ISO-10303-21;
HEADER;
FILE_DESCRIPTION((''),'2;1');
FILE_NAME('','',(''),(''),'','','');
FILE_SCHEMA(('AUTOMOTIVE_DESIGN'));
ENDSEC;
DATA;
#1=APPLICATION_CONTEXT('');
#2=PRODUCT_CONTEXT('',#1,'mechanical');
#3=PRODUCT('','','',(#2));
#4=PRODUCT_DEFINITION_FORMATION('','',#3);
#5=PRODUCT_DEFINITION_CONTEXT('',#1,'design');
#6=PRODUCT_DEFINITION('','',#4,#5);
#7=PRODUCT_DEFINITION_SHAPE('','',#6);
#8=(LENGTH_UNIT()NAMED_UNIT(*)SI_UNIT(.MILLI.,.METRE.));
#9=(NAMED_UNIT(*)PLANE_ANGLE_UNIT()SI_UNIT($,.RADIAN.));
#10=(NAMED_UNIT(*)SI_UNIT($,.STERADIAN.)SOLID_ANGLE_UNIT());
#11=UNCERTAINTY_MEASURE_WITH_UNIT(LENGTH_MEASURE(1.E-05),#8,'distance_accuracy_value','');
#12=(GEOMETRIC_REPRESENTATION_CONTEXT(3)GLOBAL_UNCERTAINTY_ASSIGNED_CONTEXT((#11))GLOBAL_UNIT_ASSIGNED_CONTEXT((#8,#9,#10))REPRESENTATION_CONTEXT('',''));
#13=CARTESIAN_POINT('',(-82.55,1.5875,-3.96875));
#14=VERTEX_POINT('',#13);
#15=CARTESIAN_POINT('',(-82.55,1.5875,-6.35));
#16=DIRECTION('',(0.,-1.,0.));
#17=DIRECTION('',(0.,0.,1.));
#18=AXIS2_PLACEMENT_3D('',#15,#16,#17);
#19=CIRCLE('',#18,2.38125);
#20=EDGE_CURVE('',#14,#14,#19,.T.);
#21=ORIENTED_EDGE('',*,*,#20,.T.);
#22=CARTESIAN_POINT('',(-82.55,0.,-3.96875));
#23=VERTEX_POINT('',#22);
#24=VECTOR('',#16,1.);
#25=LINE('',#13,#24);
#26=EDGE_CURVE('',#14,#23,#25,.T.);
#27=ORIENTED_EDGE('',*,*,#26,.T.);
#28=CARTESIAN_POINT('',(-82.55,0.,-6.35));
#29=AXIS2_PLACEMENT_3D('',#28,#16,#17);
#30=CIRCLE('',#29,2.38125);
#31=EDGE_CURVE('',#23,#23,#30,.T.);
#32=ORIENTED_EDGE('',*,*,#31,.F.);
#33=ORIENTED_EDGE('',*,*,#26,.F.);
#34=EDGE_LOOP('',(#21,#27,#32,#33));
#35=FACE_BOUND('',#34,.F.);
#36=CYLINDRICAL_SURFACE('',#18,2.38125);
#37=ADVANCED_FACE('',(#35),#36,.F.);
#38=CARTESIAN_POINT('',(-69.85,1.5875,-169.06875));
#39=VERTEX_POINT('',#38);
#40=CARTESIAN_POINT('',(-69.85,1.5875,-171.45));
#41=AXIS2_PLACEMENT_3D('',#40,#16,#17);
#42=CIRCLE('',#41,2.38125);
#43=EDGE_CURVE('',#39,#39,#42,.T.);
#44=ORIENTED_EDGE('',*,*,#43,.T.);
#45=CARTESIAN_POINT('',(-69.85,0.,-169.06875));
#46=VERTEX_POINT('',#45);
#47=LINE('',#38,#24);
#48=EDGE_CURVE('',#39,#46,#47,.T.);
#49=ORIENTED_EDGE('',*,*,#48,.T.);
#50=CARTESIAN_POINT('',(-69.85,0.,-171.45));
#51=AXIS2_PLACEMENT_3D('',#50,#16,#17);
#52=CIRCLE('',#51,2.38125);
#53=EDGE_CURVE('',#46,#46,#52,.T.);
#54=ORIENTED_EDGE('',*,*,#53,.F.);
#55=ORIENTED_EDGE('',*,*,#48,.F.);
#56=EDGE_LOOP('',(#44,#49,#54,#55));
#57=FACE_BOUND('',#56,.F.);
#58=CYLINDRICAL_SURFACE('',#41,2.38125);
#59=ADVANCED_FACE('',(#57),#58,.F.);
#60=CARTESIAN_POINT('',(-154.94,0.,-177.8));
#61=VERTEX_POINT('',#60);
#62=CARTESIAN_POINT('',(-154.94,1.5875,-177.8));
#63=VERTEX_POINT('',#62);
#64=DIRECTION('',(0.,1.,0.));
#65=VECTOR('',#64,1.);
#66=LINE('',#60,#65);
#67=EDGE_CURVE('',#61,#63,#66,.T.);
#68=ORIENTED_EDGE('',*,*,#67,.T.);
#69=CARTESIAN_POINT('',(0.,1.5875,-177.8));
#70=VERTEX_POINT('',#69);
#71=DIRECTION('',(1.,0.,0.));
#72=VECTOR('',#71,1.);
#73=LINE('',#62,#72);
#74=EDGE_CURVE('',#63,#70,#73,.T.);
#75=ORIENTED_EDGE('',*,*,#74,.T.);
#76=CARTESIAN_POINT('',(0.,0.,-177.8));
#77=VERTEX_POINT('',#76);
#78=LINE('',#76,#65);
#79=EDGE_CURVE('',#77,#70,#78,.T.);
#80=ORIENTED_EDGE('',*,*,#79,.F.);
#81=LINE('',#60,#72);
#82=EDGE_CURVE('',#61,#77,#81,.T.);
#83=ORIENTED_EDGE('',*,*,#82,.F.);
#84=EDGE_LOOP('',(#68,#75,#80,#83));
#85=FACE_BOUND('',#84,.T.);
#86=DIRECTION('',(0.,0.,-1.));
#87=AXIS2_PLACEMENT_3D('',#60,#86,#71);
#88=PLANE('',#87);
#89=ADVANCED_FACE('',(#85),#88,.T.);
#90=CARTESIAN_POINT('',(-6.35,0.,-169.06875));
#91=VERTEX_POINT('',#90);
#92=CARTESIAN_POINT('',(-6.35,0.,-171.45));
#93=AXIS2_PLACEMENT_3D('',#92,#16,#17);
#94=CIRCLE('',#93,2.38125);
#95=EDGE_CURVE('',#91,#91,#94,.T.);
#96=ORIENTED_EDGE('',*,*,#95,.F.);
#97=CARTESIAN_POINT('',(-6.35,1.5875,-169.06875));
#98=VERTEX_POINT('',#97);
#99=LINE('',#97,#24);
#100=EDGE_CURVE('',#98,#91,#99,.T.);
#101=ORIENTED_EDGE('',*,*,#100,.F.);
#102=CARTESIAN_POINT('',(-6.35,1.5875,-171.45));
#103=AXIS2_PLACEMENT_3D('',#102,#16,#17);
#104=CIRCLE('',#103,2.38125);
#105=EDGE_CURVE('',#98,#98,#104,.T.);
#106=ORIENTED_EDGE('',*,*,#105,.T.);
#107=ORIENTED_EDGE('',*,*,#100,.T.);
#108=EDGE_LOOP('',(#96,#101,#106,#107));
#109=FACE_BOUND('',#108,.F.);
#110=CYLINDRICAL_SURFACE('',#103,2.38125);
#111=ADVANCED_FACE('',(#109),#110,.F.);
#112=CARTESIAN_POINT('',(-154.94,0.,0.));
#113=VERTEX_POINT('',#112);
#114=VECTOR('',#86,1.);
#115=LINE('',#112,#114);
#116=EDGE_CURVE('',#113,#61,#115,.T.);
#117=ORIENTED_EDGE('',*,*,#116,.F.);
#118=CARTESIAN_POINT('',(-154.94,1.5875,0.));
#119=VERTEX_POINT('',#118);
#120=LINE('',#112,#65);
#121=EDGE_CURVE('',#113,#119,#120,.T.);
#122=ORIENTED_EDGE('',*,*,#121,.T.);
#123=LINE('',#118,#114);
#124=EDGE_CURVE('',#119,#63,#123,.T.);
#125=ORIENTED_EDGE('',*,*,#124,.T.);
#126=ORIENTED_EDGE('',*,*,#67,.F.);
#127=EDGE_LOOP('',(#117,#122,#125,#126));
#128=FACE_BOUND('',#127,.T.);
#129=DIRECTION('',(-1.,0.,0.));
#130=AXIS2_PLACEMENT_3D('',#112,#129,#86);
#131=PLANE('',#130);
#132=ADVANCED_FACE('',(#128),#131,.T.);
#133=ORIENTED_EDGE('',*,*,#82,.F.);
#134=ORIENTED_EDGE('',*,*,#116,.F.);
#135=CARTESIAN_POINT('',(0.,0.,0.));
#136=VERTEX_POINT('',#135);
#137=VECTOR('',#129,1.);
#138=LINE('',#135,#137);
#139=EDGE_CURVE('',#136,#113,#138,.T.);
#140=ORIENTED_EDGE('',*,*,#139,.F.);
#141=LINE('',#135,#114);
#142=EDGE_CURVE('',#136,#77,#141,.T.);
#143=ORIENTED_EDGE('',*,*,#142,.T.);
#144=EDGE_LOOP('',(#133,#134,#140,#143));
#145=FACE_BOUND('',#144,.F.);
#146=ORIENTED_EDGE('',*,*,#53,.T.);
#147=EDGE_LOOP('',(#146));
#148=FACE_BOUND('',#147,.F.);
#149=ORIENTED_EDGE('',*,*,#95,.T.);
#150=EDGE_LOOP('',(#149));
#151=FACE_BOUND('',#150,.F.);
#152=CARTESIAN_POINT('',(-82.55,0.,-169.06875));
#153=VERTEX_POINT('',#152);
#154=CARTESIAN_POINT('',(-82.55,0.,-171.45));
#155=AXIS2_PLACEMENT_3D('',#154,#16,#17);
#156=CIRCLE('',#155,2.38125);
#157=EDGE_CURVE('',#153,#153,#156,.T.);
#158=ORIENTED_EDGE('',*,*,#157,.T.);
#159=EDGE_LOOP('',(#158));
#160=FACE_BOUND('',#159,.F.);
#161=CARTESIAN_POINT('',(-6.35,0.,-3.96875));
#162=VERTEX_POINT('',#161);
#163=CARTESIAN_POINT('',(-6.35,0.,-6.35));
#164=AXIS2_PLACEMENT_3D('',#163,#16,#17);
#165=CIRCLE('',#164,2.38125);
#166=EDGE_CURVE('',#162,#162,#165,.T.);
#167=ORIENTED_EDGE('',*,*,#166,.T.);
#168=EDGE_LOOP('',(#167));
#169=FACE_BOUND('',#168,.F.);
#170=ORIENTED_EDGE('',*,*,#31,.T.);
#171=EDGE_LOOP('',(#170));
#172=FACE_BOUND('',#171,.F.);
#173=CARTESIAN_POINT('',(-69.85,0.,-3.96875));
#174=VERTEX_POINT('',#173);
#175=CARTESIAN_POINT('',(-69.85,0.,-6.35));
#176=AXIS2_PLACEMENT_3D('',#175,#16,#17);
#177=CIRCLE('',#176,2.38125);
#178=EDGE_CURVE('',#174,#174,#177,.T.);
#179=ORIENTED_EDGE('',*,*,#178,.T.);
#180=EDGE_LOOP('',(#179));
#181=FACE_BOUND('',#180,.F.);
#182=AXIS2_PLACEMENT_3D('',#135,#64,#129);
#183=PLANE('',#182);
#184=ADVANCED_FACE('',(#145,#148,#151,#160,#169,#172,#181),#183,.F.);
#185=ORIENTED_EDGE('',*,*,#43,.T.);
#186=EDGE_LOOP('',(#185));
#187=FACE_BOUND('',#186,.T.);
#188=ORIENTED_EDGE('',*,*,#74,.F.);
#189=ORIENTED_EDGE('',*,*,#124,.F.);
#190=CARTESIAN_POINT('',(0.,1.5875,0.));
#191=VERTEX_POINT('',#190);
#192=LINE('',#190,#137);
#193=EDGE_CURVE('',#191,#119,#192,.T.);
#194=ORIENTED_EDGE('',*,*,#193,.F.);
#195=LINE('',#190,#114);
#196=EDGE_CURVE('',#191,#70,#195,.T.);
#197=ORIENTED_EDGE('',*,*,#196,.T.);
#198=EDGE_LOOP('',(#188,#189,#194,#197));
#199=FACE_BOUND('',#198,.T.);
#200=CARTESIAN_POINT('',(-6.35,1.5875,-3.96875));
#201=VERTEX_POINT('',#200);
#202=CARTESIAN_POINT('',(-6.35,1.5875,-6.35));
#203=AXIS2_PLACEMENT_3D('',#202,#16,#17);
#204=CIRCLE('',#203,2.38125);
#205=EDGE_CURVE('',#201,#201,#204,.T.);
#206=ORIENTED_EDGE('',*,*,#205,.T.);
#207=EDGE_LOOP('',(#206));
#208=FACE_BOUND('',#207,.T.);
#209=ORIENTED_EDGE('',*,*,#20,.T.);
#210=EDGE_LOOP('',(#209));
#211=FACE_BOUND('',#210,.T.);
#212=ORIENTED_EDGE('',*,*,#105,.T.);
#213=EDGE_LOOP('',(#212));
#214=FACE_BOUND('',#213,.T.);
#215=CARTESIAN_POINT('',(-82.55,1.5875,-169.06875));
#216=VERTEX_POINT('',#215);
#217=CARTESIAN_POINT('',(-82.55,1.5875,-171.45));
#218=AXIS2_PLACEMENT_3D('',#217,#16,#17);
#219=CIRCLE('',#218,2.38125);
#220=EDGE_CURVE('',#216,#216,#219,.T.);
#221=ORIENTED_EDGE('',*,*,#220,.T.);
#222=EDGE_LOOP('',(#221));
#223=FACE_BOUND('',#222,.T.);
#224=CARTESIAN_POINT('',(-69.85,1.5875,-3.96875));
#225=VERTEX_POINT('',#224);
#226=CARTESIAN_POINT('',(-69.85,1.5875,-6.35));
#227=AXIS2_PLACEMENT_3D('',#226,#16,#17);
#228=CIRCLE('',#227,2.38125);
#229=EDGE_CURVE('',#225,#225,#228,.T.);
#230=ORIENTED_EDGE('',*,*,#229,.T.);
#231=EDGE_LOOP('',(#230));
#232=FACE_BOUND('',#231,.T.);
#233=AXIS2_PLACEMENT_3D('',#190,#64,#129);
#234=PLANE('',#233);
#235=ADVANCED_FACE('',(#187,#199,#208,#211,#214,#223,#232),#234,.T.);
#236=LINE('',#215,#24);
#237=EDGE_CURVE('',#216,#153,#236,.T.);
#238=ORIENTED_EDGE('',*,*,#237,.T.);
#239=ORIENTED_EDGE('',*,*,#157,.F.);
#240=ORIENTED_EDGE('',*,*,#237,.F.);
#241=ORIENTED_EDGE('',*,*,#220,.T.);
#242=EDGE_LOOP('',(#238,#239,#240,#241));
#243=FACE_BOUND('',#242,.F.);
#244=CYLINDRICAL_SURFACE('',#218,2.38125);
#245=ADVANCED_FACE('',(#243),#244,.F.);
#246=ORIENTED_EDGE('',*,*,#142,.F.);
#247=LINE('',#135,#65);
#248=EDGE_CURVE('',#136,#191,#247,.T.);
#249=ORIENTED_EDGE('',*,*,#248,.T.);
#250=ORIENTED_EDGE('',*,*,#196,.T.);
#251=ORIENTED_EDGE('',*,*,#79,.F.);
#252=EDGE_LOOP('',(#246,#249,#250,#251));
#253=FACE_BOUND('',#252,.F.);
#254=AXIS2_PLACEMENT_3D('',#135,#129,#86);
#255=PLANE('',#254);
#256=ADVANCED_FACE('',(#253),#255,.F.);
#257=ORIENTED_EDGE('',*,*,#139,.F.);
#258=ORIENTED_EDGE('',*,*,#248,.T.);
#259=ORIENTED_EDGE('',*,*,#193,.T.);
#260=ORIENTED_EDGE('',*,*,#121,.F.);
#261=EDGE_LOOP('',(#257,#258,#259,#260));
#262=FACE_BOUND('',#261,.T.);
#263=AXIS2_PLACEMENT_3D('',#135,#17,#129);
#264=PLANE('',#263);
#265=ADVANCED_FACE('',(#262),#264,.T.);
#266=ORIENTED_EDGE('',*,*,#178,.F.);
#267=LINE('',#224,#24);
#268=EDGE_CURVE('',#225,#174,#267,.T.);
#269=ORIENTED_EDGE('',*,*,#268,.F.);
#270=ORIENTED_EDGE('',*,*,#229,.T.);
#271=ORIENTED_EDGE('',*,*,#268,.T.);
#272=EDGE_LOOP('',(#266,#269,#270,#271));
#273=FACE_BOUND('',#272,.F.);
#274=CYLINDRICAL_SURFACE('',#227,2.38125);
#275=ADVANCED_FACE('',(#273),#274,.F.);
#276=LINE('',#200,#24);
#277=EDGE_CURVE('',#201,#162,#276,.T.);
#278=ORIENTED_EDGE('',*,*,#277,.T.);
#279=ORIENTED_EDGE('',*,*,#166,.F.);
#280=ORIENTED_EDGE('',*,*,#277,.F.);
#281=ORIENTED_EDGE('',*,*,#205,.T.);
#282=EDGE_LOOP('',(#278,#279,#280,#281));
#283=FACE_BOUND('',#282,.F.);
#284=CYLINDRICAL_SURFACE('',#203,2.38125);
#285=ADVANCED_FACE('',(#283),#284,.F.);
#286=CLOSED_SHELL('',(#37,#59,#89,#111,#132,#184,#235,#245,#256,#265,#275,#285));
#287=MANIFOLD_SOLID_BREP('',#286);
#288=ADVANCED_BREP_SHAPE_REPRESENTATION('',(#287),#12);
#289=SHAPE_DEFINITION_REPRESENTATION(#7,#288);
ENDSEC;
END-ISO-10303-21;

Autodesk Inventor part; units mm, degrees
ref_plane "YZ Plane" through (0, 0, 0) normal (1, 0, 0) x (0, 1, 0)
ref_plane "XZ Plane" through (0, 0, 0) normal (0, 1, 0) x (-1, 0, 0)
ref_plane "XY Plane" through (0, 0, 0) normal (0, 0, 1) x (1, 0, 0)
sketch "Sketch1" plane through (0, 0, 0) normal (0, 1, 0) x (-1, 0, 0)
  line L0 (0, 0) -> (0, -177.8)
  line L1 (0, 0) -> (154.94, 0)
  line L2 (154.94, 0) -> (154.94, -177.8)
  line L3 (154.94, -177.8) -> (0, -177.8)
  dimension "d0" = 177.8
  dimension "d1" = 154.94
  dimension "d2" = 177.8
extrude "Extrusion1" add sketch "Sketch1" along normal blind 1.5875
sketch "Sketch2" plane through (0, 1.5875, 0) normal (0, 1, 0) x (1, 0, 0)
  line L0 (-154.94, 0) -> (0, 0) projected
  line L1 (-154.94, 0) -> (-145.9597, 0) construction
  line L2 (0, 177.8) -> (-154.94, 177.8) projected
  line L3 (-154.94, 177.8) -> (-145.9597, 177.8) construction
  line L4 (0, 0) -> (0, 177.8) projected
  line L5 (0, 177.8) -> (-12.7, 177.8)
  line L6 (-12.7, 177.8) -> (0, 165.1)
  line L7 (0, 177.8) -> (-6.35, 171.45)
  line L8 (0, 177.8) -> (8.9803, 177.8) construction
  line L9 (0, 0) -> (-12.7, 0)
  line L10 (-12.7, 0) -> (0, 12.7)
  line L11 (0, 0) -> (-6.35, 6.35)
  line L12 (-6.35, 171.45) -> (-69.85, 171.45)
  line L13 (-69.85, 171.45) -> (-82.55, 171.45)
  line L14 (-6.35, 6.35) -> (-69.85, 6.35)
  line L15 (-6.35, 6.35) -> (57.15, 6.35) construction
  line L16 (-69.85, 6.35) -> (-82.55, 6.35)
  dimension "d18" = 12.7
  dimension "d19" = 45
  dimension "d20" = 135
  dimension "d21" = 12.7
  dimension "d22" = 63.5
  dimension "d23" = 12.7
  dimension "d24" = 63.5
  dimension "d25" = 180
  dimension "d26" = 12.7
hole "Hole2" at (-6.35, 1.5875, -6.35) at (-6.35, 1.5875, -171.45) at (-69.85, 1.5875, -171.45) at (-82.55, 1.5875, -171.45) at (-69.85, 1.5875, -6.35) at (-82.55, 1.5875, -6.35) direction (0, -1, 0) diameter 4.7625 end through all
properties part number "intake" material "ABS Plastic"
